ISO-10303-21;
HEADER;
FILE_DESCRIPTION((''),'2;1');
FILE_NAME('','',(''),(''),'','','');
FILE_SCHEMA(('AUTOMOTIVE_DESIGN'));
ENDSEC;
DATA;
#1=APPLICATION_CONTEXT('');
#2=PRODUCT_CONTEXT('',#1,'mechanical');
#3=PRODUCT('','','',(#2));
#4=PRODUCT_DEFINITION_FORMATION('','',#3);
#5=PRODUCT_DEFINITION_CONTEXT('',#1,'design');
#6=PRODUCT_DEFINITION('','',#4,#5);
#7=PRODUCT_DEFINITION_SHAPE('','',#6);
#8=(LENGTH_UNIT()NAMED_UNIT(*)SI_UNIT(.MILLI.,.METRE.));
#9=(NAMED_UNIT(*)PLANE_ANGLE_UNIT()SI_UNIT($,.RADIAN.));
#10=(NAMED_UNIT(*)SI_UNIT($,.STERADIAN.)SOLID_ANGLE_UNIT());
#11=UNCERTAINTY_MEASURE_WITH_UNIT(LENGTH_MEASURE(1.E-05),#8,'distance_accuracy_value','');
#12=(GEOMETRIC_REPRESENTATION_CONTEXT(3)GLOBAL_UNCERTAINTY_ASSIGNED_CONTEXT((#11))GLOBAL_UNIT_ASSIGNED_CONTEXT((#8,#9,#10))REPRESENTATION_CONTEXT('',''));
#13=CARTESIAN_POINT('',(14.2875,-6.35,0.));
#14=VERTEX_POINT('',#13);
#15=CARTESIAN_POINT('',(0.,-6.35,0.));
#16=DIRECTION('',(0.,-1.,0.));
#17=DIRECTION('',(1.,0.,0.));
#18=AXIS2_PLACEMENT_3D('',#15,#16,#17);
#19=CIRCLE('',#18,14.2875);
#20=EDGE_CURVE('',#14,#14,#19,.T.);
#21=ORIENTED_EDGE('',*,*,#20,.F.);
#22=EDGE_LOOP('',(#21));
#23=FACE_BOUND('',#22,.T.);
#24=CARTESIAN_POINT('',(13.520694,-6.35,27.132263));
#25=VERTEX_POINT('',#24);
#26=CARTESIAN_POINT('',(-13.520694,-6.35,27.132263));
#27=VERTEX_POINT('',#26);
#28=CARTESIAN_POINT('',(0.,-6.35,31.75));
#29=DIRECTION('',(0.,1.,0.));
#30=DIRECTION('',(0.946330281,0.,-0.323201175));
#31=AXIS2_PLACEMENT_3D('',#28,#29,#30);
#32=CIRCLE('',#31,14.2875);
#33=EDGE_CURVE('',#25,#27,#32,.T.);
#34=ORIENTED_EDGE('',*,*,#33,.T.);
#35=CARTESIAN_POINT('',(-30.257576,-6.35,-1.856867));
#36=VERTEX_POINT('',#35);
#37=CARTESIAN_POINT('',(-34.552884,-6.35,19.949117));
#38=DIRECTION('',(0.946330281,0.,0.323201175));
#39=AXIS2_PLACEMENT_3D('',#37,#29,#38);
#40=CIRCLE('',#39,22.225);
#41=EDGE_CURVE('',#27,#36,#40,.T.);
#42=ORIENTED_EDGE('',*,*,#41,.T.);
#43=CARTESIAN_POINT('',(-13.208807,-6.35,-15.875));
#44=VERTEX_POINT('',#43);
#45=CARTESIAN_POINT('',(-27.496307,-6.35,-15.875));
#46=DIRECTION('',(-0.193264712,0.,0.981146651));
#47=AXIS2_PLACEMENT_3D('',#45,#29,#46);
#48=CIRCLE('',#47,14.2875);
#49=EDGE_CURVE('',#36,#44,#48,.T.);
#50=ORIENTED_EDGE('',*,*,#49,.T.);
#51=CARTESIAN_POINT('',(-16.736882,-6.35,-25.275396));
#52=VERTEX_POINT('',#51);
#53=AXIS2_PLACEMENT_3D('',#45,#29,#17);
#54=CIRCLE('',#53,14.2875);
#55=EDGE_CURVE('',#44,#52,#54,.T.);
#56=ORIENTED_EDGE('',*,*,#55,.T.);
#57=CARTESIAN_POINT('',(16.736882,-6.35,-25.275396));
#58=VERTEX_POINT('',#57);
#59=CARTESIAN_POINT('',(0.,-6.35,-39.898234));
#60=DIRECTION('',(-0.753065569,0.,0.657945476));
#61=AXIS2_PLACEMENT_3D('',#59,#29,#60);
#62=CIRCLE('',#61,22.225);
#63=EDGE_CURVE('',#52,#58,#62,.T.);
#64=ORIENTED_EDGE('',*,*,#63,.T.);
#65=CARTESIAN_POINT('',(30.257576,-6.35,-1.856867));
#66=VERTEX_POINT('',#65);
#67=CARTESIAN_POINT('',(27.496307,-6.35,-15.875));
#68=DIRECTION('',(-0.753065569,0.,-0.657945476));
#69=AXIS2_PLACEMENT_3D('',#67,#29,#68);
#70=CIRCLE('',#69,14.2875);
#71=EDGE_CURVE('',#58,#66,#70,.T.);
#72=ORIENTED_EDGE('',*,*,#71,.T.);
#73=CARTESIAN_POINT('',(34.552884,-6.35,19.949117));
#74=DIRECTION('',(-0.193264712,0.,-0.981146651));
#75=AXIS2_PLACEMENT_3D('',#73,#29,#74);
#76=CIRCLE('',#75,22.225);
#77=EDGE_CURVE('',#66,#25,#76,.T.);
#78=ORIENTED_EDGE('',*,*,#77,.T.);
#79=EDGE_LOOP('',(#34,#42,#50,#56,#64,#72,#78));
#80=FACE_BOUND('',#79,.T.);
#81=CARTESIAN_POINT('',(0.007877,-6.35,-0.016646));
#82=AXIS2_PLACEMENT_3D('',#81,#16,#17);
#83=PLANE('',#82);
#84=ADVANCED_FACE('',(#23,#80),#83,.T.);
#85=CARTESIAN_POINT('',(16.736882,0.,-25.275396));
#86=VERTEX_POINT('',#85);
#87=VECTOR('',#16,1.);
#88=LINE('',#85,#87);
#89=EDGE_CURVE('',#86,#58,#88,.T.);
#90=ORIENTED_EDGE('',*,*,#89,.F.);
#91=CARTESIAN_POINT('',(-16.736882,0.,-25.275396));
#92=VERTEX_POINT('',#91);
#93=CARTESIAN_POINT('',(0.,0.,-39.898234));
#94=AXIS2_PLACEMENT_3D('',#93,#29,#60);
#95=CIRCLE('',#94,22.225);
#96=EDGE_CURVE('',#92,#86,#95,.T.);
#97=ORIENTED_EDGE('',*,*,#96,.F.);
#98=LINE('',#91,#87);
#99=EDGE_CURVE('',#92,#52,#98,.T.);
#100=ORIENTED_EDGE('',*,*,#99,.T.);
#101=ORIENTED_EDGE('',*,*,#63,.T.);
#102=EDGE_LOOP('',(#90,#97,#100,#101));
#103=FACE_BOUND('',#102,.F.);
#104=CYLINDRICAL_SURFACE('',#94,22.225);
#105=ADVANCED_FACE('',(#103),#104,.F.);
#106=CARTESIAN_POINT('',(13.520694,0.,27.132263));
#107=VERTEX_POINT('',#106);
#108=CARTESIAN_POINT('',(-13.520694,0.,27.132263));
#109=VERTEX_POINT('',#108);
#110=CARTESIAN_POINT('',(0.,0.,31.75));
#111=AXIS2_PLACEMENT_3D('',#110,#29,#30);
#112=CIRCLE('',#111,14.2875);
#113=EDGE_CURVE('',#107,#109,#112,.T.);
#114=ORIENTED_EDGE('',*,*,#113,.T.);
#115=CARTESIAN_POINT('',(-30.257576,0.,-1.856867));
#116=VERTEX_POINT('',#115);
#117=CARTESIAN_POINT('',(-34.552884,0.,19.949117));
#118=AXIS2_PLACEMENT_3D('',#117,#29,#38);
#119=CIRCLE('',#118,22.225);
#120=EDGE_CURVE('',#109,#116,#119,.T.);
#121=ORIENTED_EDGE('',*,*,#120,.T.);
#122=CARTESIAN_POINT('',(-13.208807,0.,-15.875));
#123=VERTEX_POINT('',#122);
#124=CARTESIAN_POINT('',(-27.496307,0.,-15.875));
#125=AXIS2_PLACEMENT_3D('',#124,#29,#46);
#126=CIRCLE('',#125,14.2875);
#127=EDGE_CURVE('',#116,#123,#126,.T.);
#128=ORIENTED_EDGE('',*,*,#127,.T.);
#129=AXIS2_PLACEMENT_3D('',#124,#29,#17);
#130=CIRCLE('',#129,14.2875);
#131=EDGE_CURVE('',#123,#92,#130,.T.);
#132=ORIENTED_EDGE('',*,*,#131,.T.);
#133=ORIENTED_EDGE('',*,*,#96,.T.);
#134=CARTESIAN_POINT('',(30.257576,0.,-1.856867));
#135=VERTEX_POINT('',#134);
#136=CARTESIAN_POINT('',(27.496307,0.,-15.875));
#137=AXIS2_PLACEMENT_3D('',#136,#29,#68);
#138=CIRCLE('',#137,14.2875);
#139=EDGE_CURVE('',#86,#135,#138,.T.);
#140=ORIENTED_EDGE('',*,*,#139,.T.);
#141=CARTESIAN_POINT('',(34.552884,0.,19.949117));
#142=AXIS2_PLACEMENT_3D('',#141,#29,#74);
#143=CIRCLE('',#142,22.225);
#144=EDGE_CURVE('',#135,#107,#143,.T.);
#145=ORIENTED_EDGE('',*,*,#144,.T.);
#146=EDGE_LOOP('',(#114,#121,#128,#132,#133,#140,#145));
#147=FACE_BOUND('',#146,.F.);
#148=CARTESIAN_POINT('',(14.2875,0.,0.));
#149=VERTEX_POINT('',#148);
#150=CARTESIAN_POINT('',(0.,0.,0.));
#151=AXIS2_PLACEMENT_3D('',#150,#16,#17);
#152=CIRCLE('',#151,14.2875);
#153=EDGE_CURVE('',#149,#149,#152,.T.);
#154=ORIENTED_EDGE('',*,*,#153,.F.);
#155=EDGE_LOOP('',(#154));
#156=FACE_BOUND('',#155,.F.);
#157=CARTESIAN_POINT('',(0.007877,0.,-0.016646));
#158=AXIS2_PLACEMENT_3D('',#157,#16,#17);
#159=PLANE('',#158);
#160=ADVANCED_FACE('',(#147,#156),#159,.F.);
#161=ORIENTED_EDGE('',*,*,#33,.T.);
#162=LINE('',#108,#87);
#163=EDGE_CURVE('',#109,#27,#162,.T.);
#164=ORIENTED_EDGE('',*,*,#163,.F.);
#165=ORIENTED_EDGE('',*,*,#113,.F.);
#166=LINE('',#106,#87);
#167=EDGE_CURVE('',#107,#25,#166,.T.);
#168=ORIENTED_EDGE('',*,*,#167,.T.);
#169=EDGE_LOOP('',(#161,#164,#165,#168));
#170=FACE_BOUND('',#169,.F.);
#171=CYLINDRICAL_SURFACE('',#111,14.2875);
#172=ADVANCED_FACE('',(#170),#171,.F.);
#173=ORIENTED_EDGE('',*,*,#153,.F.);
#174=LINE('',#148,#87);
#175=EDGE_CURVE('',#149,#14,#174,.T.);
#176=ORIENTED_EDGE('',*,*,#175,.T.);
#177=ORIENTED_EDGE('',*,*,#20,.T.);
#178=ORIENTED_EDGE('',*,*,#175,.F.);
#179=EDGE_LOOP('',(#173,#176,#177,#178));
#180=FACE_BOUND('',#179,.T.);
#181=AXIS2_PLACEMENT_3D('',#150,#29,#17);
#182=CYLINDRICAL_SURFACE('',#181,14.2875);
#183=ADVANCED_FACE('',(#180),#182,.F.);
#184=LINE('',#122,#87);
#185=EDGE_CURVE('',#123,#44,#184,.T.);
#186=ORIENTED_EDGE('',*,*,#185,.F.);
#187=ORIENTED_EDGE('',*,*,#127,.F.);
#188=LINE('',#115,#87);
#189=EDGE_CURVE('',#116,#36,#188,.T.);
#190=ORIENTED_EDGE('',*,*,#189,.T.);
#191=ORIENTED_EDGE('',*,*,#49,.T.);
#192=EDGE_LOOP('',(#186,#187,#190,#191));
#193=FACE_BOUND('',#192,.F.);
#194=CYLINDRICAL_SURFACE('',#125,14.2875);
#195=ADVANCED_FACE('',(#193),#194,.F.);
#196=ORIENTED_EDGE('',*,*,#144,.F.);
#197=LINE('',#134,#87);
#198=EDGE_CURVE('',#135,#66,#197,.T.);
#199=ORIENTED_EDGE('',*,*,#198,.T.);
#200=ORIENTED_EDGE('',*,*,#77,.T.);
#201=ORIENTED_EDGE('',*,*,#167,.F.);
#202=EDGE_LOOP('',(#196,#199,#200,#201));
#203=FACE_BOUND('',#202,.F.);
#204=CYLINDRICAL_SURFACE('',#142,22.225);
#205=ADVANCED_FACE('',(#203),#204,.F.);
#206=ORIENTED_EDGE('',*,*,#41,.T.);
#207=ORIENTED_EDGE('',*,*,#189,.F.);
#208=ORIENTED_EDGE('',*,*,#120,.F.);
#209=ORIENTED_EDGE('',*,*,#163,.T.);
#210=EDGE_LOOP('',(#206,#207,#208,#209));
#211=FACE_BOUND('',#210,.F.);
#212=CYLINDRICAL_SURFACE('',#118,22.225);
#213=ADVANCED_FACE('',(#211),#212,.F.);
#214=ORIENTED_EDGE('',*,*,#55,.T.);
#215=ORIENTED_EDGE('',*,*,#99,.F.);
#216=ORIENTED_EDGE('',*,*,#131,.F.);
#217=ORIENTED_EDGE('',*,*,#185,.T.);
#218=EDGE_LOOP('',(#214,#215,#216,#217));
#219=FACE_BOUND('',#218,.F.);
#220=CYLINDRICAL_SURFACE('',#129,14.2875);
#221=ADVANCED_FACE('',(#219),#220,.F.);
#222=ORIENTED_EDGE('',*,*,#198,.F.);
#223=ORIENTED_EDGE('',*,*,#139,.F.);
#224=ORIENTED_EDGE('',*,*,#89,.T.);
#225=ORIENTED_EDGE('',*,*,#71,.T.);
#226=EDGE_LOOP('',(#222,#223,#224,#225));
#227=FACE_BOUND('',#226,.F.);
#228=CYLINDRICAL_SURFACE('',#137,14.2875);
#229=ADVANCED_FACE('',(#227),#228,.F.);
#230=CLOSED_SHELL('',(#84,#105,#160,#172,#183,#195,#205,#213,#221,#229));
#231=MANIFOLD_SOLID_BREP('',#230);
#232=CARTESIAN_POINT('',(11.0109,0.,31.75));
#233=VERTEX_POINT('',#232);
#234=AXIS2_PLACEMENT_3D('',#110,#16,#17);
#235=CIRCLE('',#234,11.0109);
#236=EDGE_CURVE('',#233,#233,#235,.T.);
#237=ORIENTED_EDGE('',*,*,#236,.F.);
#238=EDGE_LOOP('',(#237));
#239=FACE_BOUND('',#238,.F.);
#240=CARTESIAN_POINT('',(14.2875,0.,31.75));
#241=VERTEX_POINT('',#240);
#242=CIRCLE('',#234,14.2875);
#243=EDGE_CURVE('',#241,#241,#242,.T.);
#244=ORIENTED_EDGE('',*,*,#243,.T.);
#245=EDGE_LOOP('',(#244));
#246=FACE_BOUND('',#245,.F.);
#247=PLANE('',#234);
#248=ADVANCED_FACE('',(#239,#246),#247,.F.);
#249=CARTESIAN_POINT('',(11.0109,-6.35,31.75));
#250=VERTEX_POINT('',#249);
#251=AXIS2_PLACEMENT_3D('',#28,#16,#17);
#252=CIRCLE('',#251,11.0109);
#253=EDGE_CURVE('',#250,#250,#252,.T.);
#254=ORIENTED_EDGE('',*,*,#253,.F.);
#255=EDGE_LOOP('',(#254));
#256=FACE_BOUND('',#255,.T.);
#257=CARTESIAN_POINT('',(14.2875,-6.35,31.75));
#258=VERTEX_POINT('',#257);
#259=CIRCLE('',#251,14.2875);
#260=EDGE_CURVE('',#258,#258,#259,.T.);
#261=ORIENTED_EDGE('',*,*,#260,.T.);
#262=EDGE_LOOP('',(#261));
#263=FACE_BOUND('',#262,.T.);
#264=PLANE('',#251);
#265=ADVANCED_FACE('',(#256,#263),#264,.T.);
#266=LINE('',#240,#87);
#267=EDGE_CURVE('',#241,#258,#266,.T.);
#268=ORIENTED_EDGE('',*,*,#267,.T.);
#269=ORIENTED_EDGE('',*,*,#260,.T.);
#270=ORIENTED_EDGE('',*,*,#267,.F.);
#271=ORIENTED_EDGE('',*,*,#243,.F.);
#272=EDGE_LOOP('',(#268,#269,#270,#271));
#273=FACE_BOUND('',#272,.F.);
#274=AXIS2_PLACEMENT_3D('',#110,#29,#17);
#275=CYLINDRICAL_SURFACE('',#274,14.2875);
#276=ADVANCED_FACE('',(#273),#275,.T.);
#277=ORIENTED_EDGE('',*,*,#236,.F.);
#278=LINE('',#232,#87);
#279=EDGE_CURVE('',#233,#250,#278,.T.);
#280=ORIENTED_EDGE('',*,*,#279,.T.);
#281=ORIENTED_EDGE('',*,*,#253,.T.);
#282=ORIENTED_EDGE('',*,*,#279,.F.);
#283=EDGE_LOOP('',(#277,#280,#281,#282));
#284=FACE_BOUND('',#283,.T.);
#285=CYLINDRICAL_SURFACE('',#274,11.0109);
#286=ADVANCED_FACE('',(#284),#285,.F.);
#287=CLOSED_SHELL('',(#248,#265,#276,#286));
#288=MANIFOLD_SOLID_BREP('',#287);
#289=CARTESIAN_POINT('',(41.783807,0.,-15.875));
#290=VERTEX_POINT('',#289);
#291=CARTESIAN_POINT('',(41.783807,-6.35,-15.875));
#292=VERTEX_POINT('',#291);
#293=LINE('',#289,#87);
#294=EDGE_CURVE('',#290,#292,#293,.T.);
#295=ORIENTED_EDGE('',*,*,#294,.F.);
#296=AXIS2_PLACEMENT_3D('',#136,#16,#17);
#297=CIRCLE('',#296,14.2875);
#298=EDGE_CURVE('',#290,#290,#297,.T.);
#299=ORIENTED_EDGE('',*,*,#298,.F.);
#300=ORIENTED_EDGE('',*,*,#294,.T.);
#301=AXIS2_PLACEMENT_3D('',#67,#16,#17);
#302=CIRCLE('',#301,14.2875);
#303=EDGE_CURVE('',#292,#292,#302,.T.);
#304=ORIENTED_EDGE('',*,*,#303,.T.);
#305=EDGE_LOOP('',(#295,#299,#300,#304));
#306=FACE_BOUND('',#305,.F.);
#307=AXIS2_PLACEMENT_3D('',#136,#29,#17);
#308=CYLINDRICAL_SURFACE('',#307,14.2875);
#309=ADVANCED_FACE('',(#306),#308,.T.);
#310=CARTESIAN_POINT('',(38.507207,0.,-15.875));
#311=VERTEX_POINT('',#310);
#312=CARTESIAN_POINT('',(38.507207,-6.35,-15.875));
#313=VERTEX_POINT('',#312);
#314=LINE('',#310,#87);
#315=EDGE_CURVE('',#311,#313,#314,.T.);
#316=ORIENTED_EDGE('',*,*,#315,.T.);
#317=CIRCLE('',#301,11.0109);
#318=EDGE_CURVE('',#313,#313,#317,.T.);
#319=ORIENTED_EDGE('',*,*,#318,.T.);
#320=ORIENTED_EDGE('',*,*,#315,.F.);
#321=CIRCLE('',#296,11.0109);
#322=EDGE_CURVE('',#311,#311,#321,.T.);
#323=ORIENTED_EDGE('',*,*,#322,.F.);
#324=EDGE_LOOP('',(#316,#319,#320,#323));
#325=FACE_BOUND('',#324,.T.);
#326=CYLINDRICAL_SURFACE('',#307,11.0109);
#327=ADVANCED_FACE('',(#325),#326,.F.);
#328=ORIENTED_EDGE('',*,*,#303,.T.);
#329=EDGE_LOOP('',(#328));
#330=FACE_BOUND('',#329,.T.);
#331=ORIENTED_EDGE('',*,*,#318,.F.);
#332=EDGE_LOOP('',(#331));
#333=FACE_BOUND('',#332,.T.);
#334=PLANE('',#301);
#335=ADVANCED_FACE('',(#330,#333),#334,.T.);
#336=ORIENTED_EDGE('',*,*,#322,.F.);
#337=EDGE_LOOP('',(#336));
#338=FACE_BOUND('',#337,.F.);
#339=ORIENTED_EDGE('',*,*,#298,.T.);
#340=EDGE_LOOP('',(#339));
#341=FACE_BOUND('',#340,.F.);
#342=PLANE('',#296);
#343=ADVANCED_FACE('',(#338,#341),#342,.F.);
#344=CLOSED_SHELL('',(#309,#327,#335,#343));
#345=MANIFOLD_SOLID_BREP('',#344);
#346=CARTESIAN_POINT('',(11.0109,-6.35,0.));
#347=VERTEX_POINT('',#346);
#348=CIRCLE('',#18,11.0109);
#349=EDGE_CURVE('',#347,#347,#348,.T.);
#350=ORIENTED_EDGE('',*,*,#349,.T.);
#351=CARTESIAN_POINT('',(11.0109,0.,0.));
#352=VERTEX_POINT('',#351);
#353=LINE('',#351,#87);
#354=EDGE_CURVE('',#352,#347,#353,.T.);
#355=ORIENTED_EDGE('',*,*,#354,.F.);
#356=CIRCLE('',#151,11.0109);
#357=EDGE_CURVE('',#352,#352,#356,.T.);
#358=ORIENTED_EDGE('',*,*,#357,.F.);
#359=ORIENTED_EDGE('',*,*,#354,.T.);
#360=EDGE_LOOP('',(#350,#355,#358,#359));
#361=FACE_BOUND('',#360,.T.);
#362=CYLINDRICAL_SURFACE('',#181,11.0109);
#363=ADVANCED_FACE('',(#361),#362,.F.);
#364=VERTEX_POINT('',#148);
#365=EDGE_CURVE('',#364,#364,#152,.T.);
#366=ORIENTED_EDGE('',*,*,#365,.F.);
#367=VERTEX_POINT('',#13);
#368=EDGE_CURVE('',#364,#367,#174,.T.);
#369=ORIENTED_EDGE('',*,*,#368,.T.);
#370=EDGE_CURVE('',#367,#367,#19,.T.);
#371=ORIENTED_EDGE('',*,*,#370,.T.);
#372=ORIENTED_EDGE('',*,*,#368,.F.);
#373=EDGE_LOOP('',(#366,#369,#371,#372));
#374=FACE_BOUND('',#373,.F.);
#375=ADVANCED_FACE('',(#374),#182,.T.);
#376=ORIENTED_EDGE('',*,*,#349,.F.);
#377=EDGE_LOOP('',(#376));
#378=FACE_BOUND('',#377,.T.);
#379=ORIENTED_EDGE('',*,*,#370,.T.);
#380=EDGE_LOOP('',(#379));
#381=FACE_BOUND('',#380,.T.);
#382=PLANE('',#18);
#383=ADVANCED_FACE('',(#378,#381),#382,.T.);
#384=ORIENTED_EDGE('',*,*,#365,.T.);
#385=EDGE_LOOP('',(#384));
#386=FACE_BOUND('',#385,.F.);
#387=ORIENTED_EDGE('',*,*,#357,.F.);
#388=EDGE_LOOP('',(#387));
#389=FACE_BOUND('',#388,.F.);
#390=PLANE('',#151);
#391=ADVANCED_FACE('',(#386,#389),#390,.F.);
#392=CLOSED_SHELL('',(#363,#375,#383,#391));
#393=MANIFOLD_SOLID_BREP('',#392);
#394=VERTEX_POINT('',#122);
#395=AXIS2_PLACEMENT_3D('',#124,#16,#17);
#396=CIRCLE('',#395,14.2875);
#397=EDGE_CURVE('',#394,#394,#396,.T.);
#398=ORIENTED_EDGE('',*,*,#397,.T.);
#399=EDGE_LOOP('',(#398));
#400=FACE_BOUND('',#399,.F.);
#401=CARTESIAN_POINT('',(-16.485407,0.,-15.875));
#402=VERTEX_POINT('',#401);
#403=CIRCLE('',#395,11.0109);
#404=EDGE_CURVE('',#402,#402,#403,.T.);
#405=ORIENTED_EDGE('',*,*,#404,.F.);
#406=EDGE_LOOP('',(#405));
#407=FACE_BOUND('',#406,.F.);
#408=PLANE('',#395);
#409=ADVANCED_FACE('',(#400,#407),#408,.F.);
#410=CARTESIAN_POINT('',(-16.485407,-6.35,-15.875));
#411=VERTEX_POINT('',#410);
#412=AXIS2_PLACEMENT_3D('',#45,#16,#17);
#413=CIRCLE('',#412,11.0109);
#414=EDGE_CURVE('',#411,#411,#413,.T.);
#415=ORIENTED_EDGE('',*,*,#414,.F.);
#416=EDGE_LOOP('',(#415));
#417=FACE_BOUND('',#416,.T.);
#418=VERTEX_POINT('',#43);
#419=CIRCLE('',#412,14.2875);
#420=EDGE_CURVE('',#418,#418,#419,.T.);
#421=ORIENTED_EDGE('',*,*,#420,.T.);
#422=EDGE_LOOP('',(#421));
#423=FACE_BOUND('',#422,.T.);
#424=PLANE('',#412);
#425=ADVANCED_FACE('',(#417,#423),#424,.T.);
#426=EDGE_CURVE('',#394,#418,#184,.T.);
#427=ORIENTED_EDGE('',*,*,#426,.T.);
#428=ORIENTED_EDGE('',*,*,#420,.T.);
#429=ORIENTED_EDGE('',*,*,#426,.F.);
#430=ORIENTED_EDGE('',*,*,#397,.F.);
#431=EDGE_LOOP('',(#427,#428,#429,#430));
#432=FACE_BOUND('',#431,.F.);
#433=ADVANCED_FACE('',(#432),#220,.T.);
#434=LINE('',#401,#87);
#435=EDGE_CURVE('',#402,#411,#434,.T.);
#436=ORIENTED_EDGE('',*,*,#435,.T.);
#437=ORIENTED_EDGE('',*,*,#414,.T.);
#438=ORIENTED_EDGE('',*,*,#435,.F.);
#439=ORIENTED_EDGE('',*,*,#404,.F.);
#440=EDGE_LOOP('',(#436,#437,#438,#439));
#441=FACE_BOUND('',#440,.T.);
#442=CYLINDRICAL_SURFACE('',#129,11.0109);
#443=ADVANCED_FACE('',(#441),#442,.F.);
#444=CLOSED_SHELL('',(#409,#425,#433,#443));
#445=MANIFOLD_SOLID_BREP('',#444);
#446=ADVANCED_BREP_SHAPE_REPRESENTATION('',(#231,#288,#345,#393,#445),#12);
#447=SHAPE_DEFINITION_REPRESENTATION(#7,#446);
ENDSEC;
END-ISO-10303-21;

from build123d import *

# Parameters (mm, degrees)
F0_R     = 14.2875
F0_R_2   = 11.0109
F2_DEPTH = 6.35
F1_R     = 14.2875


with BuildPart() as f2:
    # F0 (on Front) → F2 (new body)
    with BuildSketch(Plane.XZ):
        Circle(F0_R)
        Circle(F0_R_2, mode=Mode.SUBTRACT)
    extrude(amount=F2_DEPTH)


with BuildPart() as f2b:
    # F0 (on Front) → F2, piece 2 (new body)
    with BuildSketch(Plane.XZ):
        with Locations((27.4963065702, -15.875)):
            Circle(F0_R)
        with Locations((27.4963065702, -15.875)):
            Circle(F0_R_2, mode=Mode.SUBTRACT)
    extrude(amount=F2_DEPTH)


with BuildPart() as f2c:
    # F0 (on Front) → F2, piece 3 (new body)
    with BuildSketch(Plane.XZ):
        with Locations((-27.4963065702, -15.875)):
            Circle(F0_R)
        with Locations((-27.4963065702, -15.875)):
            Circle(F0_R_2, mode=Mode.SUBTRACT)
    extrude(amount=F2_DEPTH)


with BuildPart() as f2d:
    # F0 (on Front) → F2, piece 4 (new body)
    with BuildSketch(Plane.XZ):
        with Locations((0, 31.75)):
            Circle(F0_R)
        with Locations((0, 31.75)):
            Circle(F0_R_2, mode=Mode.SUBTRACT)
    extrude(amount=F2_DEPTH)


with BuildPart() as f2e:
    # F1 (on Front) → F2, piece 5 (new body)
    with BuildSketch(Plane.XZ):
        with BuildLine():
            ThreePointArc((-13.5206938879, 27.1322632123), (-15.305469781, 8.8366170981), (-30.257576148, -1.8568672225))
            ThreePointArc((-30.257576148, -1.8568672225), (-18.4221394691, -4.8390520266), (-13.2088065702, -15.875))
            ThreePointArc((-13.2088065702, -15.875), (-14.1198733557, -20.8953277493), (-16.7368822601, -25.2753959899))
            ThreePointArc((-16.7368822601, -25.2753959899), (0, -17.6732341963), (16.7368822601, -25.2753959899))
            ThreePointArc((16.7368822601, -25.2753959899), (15.1229686136, -8.73125), (30.257576148, -1.8568672225))
            ThreePointArc((30.257576148, -1.8568672225), (15.305469781, 8.8366170981), (13.5206938879, 27.1322632123))
            ThreePointArc((13.5206938879, 27.1322632123), (0, 17.4625), (-13.5206938879, 27.1322632123))
        make_face()
        Circle(F1_R, mode=Mode.SUBTRACT)
    extrude(amount=F2_DEPTH)


solid = Compound([f2.part, f2b.part, f2c.part, f2d.part, f2e.part])
